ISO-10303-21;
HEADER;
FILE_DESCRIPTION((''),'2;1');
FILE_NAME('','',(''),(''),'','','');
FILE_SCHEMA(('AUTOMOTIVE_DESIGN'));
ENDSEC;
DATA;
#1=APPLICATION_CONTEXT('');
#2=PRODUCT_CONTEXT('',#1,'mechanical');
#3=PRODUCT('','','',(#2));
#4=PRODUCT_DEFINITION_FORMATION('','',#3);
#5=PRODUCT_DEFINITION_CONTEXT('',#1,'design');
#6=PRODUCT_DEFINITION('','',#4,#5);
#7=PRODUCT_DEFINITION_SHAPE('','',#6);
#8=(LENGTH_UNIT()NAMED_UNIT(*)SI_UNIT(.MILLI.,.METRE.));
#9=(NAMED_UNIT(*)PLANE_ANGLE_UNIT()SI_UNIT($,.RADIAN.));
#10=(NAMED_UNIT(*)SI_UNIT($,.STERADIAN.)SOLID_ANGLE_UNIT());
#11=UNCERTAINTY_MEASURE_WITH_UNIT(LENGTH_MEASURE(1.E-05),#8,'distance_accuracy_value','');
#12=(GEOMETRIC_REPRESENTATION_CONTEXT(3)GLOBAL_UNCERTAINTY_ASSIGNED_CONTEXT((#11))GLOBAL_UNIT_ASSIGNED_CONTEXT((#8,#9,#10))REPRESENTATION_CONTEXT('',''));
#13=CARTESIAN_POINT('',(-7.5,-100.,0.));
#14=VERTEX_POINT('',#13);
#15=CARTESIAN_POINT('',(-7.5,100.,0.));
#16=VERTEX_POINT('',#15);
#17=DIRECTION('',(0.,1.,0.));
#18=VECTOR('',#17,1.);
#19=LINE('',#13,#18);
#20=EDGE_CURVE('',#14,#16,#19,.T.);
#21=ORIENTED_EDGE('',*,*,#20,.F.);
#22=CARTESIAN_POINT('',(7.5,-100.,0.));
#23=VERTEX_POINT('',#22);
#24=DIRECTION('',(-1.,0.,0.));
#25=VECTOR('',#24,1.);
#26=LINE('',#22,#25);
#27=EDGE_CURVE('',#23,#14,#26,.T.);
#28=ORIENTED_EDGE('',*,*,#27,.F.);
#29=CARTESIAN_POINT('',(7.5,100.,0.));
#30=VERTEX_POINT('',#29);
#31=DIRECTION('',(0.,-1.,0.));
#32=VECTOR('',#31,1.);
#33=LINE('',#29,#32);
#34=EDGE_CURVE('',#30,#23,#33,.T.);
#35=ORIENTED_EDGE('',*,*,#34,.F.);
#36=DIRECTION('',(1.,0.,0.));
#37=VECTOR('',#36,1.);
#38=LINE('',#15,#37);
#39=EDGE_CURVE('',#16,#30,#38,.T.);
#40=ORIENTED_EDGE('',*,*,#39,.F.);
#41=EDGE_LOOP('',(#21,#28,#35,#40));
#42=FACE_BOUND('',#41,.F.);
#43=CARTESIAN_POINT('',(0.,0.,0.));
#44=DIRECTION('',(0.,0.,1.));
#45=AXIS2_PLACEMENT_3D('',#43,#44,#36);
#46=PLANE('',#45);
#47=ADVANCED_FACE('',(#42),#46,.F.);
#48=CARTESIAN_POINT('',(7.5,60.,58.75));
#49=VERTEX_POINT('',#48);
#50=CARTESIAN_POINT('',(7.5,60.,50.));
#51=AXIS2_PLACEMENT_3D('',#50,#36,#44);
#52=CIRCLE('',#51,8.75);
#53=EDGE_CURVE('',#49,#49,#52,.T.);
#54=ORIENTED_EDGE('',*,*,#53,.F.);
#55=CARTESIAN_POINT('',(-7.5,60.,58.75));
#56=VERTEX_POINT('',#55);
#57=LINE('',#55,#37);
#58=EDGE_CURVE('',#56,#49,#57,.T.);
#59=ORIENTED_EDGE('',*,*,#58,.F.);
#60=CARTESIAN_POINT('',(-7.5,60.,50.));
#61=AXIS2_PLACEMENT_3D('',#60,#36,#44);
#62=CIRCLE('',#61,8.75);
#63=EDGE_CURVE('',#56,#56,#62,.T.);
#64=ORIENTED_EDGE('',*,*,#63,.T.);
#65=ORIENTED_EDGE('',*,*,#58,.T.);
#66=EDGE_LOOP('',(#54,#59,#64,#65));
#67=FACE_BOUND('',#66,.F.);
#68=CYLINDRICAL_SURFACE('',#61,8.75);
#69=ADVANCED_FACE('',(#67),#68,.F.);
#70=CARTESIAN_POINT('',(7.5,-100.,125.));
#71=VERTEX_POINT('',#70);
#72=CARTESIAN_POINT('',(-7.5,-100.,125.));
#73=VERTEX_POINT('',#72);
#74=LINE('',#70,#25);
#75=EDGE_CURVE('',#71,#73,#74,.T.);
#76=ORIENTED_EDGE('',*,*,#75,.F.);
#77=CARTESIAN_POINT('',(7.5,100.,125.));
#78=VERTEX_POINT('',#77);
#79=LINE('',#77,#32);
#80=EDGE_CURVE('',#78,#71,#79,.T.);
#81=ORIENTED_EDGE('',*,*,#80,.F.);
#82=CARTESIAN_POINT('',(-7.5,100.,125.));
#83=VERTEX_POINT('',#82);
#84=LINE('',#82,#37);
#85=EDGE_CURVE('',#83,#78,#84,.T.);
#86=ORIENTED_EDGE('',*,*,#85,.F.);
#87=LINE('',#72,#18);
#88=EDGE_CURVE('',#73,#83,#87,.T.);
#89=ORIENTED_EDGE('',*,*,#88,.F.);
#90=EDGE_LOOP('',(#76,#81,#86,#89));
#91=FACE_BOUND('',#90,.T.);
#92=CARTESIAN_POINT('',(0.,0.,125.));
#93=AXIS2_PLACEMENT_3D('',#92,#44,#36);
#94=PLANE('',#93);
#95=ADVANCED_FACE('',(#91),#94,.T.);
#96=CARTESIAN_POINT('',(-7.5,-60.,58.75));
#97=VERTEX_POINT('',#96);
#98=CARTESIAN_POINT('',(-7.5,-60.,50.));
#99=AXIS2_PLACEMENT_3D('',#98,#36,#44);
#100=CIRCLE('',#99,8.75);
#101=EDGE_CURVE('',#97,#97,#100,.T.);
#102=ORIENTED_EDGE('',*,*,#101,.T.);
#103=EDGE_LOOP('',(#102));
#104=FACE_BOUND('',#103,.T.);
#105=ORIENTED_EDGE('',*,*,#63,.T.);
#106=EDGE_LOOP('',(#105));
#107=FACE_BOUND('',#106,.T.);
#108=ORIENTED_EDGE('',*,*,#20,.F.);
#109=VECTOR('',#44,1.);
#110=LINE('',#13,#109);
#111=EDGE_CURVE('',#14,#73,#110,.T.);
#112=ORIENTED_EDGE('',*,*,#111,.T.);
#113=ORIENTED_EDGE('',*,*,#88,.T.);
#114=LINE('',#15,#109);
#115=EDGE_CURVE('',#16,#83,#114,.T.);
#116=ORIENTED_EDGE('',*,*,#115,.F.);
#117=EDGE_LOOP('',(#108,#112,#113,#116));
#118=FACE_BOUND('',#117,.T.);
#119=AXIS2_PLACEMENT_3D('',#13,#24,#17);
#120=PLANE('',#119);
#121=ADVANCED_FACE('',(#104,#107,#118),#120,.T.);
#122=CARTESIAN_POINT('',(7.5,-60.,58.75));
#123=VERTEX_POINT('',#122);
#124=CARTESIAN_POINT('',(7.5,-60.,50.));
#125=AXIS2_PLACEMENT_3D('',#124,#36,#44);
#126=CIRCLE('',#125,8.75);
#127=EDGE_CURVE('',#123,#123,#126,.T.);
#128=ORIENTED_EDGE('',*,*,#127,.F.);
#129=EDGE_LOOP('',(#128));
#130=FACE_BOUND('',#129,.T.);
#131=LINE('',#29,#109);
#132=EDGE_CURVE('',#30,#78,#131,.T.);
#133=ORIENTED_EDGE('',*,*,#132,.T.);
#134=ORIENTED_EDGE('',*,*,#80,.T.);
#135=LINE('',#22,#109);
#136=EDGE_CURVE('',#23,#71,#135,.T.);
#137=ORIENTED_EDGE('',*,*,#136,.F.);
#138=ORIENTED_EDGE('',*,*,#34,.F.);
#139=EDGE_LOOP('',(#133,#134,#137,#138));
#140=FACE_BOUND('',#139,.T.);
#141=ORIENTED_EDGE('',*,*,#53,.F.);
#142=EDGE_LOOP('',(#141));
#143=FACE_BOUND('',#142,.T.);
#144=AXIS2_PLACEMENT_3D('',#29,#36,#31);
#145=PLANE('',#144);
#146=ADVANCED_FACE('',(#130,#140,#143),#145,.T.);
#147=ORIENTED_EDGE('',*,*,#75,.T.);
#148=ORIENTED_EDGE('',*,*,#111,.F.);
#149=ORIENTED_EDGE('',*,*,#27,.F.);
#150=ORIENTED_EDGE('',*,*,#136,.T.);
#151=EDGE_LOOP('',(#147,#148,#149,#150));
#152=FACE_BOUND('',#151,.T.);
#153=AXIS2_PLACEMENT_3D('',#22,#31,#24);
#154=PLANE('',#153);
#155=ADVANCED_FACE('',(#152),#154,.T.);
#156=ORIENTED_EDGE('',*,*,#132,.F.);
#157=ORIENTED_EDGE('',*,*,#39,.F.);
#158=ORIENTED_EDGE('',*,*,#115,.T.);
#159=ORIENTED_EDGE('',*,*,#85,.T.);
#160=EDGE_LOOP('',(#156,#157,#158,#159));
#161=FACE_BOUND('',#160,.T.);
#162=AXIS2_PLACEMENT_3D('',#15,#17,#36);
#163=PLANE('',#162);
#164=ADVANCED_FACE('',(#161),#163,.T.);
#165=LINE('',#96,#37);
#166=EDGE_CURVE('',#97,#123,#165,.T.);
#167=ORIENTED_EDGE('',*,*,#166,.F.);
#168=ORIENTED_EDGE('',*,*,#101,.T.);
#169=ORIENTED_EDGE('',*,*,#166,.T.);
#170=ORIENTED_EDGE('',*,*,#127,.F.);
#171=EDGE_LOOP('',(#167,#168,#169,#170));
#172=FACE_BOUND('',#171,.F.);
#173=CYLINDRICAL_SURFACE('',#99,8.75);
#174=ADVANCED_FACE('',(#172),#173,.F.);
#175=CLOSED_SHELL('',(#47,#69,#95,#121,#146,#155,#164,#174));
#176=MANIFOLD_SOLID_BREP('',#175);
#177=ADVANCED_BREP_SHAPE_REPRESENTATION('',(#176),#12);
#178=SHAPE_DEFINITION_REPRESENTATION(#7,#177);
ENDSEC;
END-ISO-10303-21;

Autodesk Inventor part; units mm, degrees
ref_plane "YZ Plane" through (0, 0, 0) normal (1, 0, 0) x (0, 1, 0)
ref_plane "Start Plane" through (0, 0, 0) normal (0, 0, 1) x (1, 0, 0)
ref_plane "End Plane" through (0, 0, 125) normal (0, 0, 1) x (1, 0, 0)
sketch "Sketch" plane through (0, 0, 0) normal (0, 0, 1) x (1, 0, 0)
  line L0 (7.5, -100) -> (-7.5, -100)
  line L1 (-7.5, -100) -> (-7.5, 100)
  line L2 (-7.5, 100) -> (7.5, 100)
  line L3 (7.5, 100) -> (7.5, -100)
  line L4 (-6, 0) -> (8, 0) construction
  line L5 (0, -30) -> (0, 40) construction
  line L6 (0, 140) -> (0, -140) construction
  line L7 (-11, 0) -> (13.5, 0) construction
  dimension "d0" = 200
  dimension "d1" = 15
  dimension "d4" = 7.5
  dimension "d5" = 100
extrude "Body" add sketch "Sketch" along normal up to surface (125 mm away) from surface at 0
sketch "Sketch3" plane through (0, 0, 0) normal (0, 0, 1) x (1, 0, 0)
  line L0 (0, 0) -> (10, 0)
ref_plane "Work Plane3" through (0, 0, 0) normal (0, -1, 0) x (1, 0, 0)
sketch "Sketch5" plane through (-7.5, 100, 0) normal (-1, 0, 0) x (0, 0, 1)
  point P0 (50, -40)
hole "Hole1" at (-7.5, 60, 50) direction (1, 0, 0) diameter 17.5 end through all
sketch "Sketch6" plane through (-7.5, 100, 0) normal (-1, 0, 0) x (0, 0, 1)
  point P0 (50, -160)
hole "Hole2" at (-7.5, -60, 50) direction (1, 0, 0) diameter 17.5 end through all
sketch "Sketch4" plane through (0, 0, 0) normal (0, -1, 0) x (1, 0, 0)
  line L0 (-2, 0) -> (12, 0) projected
  line L1 (-2, 125) -> (12, 125) projected
  dimension "d9" = 125
equation "\"d0\" = G_W"
equation "\"d1\" = G_H"
equation "\"d4\" = 0.5 * d1"
equation "\"d5\" = 0.5 * d0"
equation "\"d2\" = G_L"
equation "\"G_W\" = 200"
equation "\"G_H\" = 15"
equation "\"G_L\" = d9"
equation "\"G_OFFSET_START\" = 0"
equation "\"G_OFFSET_END\" = 0"
equation "\"d7\" = G_OFFSET_END + B_L"
equation "\"B_L\" = 125"
properties part number "DIN EN 10278 - 200 x 15 - 125" material "Steel, Mild"
